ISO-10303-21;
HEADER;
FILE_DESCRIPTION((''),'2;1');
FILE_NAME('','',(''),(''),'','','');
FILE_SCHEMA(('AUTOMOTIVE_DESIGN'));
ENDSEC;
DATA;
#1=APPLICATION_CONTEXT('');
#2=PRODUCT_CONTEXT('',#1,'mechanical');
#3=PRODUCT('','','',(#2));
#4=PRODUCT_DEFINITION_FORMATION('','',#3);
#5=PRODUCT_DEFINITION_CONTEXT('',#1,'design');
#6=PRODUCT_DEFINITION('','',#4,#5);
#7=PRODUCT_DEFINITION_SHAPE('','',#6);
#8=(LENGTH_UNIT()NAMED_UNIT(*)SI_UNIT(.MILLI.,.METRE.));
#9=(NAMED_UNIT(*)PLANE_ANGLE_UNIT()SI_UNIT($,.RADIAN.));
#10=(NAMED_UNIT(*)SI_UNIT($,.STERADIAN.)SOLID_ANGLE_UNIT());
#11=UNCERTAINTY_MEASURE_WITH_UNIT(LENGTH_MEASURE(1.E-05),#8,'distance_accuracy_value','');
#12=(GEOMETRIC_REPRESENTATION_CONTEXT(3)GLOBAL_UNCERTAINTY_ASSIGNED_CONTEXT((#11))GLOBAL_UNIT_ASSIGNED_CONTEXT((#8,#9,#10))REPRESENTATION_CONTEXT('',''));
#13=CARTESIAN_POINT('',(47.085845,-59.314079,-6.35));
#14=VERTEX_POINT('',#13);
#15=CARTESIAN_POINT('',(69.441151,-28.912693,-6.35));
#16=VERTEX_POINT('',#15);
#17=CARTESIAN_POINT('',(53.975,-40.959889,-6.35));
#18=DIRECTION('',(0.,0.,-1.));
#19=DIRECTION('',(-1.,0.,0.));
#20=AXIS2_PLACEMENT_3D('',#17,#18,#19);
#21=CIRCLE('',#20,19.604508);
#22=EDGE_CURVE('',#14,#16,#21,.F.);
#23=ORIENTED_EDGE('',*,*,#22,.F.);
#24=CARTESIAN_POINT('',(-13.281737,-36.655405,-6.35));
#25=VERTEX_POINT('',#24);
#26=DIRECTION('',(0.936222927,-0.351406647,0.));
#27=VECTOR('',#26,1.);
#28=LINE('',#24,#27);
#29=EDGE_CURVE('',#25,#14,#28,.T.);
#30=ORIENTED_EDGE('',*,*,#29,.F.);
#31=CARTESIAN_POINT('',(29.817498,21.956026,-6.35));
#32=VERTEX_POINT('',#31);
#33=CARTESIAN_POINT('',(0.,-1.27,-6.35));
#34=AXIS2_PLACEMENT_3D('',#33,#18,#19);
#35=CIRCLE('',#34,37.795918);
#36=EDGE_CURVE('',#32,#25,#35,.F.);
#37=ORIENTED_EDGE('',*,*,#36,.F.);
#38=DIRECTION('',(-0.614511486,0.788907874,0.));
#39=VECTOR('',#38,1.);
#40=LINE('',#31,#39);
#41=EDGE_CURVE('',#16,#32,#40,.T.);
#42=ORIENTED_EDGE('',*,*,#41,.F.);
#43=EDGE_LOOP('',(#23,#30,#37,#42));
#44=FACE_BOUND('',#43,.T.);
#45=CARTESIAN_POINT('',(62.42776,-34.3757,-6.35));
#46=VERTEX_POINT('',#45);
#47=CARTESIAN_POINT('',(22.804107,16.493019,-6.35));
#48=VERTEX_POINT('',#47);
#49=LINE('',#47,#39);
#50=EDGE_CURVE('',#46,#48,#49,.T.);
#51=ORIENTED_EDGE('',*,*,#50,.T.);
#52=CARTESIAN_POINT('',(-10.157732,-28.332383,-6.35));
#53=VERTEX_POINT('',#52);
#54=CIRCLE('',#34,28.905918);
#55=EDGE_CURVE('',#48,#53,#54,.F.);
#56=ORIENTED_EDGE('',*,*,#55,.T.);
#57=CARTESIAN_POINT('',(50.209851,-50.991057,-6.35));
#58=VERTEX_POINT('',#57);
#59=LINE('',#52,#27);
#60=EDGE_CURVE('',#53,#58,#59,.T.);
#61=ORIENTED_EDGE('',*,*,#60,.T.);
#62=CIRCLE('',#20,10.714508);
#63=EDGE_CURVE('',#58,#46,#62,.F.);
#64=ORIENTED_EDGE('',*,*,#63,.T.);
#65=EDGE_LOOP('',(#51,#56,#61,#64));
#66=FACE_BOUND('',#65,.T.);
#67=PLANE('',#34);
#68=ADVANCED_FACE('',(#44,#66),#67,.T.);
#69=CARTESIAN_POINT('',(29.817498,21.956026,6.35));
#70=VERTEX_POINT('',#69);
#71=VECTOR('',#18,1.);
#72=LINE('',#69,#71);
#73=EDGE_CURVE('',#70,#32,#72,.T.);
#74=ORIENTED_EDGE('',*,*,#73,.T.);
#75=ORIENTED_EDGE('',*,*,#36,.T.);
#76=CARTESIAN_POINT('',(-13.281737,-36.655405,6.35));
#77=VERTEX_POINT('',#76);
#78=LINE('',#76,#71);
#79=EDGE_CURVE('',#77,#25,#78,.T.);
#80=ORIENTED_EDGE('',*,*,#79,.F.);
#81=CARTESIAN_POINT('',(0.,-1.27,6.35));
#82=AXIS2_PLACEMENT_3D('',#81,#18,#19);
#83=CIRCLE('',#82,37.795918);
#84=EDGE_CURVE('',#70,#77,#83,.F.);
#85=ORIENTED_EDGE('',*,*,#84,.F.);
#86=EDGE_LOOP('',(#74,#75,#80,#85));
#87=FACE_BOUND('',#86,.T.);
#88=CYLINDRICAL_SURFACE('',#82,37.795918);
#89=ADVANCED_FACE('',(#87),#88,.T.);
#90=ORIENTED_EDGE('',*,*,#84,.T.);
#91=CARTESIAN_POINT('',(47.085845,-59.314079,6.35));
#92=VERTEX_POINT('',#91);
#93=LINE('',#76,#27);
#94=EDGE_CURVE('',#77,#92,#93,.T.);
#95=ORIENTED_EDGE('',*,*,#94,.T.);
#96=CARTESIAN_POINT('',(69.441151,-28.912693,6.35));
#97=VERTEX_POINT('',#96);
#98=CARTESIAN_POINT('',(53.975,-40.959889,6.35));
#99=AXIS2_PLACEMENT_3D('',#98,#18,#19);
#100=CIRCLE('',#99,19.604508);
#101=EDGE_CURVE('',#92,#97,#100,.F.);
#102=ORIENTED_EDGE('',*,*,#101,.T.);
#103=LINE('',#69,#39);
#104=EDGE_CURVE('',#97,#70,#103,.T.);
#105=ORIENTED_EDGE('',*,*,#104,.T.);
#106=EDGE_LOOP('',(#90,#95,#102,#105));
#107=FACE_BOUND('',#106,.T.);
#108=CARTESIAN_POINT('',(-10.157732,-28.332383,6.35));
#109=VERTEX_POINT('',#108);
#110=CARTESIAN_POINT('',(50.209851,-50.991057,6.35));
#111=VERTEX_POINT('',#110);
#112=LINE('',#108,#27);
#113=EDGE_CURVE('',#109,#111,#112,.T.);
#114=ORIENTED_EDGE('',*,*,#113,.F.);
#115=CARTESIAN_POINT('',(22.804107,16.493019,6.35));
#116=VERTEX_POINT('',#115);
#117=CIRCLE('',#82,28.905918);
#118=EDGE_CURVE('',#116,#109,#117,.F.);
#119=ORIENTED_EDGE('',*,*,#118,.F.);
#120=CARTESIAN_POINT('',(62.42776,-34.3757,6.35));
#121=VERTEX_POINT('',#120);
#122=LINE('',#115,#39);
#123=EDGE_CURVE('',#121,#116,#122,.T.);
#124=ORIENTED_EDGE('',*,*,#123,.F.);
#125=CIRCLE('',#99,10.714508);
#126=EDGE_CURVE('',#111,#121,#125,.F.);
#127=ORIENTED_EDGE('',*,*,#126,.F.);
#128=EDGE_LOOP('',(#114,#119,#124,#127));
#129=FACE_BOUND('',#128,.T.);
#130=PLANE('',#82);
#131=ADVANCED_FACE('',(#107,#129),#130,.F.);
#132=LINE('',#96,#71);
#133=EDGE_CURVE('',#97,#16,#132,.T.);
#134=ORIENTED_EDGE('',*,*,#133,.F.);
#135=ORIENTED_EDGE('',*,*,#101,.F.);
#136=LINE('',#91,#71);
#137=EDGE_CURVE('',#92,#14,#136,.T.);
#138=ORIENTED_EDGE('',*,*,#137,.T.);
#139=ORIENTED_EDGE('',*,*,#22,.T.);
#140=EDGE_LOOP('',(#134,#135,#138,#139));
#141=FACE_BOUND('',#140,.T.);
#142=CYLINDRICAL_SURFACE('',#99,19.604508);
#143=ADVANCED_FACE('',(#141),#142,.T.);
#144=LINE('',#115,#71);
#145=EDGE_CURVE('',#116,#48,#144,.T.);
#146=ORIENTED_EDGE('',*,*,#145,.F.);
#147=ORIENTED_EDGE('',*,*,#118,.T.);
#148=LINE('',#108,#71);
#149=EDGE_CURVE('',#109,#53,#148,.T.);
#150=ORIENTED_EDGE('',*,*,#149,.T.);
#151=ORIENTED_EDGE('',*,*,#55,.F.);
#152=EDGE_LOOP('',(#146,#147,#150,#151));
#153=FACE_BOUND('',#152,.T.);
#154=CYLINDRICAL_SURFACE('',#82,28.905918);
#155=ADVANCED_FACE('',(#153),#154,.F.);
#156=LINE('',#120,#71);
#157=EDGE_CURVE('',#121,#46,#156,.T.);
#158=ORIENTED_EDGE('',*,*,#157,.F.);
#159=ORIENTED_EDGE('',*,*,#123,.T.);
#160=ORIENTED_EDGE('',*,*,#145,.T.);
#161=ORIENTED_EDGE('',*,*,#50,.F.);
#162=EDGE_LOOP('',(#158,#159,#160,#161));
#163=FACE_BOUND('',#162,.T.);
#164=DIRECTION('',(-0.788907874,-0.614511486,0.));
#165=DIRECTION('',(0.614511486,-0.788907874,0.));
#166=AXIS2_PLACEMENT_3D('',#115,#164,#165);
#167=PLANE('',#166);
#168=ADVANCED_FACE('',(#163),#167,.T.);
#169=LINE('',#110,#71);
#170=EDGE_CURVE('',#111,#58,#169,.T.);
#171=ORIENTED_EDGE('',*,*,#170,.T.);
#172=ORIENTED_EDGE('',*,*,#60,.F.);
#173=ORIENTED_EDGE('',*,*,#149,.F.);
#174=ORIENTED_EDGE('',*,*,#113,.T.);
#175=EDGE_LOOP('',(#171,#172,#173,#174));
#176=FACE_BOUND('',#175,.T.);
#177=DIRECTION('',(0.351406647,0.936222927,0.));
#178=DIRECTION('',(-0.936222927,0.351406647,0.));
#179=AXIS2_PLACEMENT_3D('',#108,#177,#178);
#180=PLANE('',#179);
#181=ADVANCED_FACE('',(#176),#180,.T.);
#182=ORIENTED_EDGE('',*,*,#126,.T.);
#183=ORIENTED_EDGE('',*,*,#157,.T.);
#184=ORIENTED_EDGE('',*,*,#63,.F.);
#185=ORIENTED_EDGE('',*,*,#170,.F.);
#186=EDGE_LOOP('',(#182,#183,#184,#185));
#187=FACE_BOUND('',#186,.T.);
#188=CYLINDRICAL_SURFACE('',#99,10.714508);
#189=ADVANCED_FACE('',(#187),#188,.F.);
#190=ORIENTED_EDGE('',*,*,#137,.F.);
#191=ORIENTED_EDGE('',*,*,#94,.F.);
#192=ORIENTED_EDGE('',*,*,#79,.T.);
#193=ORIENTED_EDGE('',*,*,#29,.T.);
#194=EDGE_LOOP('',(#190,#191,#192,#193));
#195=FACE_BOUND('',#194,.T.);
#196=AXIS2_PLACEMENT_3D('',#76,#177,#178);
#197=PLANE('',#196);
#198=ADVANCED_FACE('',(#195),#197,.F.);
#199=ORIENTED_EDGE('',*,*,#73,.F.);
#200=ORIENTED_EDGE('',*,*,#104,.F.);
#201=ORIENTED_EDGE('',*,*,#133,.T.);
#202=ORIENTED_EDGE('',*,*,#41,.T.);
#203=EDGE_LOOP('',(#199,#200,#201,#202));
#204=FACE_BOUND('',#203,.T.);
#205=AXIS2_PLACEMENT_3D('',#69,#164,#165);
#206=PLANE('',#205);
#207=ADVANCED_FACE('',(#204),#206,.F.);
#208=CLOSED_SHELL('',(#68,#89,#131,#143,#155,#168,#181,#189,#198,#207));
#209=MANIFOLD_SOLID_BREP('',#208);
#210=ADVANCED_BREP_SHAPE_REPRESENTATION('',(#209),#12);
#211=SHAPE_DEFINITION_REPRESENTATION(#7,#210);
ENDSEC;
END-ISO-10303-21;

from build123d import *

# Parameters (mm, degrees)
EXTRUDE_THIN1_DEPTH = 6.35


with BuildPart() as part:
    # Sketch2 → Extrude-Thin1 (new, symmetric)
    with BuildSketch(Plane.XY):
        with BuildLine():
            Line((47.085845471, -59.314078842), (-13.281736911, -36.655405278))
            ThreePointArc((-13.281736911, -36.655405278), (-30.449676725, 21.120815737), (29.817497558, 21.95602595))
            Line((29.817497558, 21.95602595), (69.44115098, -28.912693121))
            ThreePointArc((69.44115098, -28.912693121), (69.769058392, -52.573865873), (47.085845471, -59.314078842))
        make_face()
        with BuildLine():
            Line((50.209850559, -50.991057023), (-10.157731823, -28.332383458))
            ThreePointArc((-10.157731823, -28.332383458), (-23.287590498, 15.854258904), (22.804106561, 16.493018835))
            Line((22.804106561, 16.493018835), (62.427759983, -34.375700235))
            ThreePointArc((62.427759983, -34.375700235), (62.606972164, -47.30730904), (50.209850559, -50.991057023))
        make_face(mode=Mode.SUBTRACT)
    extrude(amount=EXTRUDE_THIN1_DEPTH, both=True)


solid = part.part
